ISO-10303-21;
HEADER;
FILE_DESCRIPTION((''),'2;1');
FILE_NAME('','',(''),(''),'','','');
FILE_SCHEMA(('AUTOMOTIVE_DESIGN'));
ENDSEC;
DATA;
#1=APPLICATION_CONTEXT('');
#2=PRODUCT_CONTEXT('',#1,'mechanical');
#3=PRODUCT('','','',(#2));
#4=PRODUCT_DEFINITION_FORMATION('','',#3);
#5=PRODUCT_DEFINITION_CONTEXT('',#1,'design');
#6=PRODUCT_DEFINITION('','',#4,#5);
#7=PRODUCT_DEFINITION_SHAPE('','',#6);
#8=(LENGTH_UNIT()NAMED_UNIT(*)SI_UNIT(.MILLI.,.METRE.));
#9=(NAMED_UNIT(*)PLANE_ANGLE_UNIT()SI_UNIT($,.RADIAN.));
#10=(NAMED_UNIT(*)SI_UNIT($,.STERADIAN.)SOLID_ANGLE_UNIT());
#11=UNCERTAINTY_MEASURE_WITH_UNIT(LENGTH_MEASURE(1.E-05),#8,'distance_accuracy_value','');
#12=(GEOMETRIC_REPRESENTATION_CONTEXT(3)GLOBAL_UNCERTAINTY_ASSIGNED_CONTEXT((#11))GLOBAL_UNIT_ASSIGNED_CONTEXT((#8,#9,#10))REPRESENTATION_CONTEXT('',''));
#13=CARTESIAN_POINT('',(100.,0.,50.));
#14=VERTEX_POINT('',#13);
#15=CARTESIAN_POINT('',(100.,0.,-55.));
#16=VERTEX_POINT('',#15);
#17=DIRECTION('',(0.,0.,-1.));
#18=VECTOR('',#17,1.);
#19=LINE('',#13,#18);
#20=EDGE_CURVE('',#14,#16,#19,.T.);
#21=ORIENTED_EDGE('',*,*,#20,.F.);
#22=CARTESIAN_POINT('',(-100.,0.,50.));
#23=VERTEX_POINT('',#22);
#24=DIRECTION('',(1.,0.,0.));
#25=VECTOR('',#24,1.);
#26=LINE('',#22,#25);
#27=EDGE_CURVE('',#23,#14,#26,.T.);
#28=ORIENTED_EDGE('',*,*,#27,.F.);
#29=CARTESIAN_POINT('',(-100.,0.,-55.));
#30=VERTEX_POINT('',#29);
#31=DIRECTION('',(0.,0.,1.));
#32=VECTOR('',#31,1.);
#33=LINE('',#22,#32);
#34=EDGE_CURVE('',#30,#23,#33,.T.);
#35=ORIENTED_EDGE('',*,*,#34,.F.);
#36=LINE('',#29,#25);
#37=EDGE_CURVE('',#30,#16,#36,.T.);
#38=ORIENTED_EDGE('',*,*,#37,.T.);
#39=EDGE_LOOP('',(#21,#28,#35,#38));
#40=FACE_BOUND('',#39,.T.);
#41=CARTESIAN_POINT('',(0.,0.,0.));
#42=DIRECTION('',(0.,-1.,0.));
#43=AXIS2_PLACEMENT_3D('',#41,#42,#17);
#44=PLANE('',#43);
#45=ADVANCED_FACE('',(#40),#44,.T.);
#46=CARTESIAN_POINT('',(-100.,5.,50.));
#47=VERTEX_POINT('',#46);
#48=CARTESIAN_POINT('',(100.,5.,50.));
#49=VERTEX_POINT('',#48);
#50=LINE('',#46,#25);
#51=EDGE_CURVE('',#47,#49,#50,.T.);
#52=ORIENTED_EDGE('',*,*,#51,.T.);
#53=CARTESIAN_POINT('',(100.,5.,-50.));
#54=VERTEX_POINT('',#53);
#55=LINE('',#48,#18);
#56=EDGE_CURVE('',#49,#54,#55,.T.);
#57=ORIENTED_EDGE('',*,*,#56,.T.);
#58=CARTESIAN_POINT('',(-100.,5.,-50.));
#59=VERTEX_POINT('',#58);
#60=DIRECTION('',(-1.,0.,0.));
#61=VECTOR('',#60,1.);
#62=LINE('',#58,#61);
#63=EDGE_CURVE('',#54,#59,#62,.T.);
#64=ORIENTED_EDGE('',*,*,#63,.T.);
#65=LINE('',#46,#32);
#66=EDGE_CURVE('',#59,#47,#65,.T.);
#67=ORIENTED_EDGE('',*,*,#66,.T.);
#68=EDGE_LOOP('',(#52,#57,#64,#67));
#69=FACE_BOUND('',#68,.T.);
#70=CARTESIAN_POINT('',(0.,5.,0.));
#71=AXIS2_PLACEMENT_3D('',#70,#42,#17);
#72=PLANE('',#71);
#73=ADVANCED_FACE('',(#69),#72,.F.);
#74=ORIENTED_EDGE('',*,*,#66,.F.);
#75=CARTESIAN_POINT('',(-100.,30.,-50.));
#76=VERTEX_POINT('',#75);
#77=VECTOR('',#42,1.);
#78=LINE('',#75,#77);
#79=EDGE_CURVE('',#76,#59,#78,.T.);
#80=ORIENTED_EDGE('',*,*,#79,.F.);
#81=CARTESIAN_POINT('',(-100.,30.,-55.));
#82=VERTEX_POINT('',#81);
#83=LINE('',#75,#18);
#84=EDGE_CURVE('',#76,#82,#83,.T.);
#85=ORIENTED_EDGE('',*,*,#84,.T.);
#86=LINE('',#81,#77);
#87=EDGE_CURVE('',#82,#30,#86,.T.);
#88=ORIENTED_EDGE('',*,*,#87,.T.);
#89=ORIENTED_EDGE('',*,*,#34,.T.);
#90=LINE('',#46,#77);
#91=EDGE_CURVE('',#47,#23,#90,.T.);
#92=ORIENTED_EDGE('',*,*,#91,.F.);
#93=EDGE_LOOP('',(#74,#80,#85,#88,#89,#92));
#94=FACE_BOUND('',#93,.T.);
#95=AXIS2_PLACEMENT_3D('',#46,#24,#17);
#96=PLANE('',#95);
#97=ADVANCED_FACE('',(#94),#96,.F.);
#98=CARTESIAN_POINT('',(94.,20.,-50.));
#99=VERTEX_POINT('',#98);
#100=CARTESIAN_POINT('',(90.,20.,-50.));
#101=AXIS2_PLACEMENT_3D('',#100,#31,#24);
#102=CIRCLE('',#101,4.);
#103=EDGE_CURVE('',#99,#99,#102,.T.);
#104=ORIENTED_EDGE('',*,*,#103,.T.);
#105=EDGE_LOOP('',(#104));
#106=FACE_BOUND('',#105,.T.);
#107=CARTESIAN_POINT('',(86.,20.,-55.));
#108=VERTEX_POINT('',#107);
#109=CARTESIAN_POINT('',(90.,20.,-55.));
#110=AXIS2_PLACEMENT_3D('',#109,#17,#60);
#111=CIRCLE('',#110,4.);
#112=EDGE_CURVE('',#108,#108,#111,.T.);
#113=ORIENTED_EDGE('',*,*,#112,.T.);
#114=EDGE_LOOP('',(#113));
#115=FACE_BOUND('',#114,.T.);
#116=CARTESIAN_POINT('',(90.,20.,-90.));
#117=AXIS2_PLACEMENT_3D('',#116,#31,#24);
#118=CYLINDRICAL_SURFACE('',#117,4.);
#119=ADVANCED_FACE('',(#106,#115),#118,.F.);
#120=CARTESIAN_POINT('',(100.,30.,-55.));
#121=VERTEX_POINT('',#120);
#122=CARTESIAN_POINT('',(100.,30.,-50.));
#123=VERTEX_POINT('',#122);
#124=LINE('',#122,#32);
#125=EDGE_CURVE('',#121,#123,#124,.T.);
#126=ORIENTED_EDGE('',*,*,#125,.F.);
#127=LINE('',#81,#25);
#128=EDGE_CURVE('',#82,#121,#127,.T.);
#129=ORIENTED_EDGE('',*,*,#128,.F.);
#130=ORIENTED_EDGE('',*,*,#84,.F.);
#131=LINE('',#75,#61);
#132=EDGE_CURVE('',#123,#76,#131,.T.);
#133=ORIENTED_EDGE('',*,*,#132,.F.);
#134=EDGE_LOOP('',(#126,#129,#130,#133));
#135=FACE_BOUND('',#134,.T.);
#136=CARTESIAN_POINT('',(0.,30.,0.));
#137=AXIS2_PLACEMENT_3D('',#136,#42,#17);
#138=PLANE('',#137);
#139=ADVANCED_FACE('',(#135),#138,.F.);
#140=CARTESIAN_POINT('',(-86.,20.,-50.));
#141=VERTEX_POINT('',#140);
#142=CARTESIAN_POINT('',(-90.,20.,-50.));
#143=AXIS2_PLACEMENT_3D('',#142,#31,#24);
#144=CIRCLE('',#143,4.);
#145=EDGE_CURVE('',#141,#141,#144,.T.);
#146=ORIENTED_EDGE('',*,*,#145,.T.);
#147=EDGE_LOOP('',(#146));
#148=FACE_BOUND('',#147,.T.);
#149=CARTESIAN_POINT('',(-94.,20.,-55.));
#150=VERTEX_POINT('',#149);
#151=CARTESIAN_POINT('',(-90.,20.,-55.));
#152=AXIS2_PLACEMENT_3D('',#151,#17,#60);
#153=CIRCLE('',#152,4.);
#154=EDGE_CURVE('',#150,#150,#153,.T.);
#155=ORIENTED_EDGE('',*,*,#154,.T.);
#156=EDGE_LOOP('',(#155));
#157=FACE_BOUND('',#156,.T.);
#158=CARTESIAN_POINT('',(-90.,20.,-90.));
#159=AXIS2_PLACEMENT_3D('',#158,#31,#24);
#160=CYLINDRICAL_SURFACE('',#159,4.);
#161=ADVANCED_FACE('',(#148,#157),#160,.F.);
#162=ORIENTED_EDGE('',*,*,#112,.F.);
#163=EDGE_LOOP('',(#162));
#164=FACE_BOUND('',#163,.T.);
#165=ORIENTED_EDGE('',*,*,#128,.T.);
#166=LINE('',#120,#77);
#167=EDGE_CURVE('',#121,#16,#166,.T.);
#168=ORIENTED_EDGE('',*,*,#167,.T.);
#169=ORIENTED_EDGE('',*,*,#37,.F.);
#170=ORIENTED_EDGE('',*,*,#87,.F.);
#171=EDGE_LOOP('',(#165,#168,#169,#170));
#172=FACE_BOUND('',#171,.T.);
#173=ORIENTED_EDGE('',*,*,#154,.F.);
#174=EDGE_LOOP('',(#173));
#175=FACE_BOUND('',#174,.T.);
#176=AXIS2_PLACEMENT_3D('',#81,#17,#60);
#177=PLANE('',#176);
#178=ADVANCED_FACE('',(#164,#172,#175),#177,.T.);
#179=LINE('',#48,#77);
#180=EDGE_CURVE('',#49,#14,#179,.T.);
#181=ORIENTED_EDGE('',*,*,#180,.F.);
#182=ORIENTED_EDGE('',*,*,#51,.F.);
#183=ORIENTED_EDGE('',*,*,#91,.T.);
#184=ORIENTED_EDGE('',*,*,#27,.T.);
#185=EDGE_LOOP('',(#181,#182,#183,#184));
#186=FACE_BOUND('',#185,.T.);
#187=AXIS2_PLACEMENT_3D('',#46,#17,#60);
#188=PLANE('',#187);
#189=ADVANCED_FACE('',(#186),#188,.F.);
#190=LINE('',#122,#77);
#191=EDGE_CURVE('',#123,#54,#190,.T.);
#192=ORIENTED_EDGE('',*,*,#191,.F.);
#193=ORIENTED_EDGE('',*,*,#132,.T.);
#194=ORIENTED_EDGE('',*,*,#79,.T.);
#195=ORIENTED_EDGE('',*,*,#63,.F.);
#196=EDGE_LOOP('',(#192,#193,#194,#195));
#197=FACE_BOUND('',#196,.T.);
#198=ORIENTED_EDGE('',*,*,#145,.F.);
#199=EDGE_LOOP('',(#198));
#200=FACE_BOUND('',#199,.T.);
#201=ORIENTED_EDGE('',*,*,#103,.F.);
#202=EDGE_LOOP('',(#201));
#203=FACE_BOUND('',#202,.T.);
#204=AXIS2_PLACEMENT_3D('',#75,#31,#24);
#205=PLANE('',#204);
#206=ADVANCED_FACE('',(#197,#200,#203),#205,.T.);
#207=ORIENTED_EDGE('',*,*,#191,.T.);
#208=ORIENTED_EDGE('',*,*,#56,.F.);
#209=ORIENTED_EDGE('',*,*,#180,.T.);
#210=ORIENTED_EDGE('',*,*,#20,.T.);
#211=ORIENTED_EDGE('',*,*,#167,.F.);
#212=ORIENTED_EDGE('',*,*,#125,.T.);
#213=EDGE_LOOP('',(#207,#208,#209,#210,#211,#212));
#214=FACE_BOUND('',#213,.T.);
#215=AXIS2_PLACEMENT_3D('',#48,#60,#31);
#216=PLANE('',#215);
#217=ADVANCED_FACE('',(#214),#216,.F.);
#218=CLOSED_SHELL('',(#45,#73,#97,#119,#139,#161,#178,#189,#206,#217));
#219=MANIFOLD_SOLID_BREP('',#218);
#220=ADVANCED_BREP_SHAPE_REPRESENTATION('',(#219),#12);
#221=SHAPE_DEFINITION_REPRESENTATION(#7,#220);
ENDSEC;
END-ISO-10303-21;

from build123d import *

# Parameters (mm, degrees)
SKETCH1_W           = 200
SKETCH1_H           = 100
BOSS_EXTRUDE1_DEPTH = 5
SKETCH2_W           = 200
SKETCH2_H           = 5
BOSS_EXTRUDE2_DEPTH = 30
SKETCH3_R           = 4
CUT_EXTRUDE1_DEPTH  = 40


with BuildPart() as part:
    # Sketch1 → Boss-Extrude1 (new body)
    with BuildSketch(Plane(origin=(0, 0, 0), x_dir=(1, 0, 0), z_dir=(0, 1, 0))):
        Rectangle(SKETCH1_W, SKETCH1_H)
    extrude(amount=BOSS_EXTRUDE1_DEPTH)

    # Sketch2 → Boss-Extrude2 (add)
    with BuildSketch(Plane.XZ):
        with Locations((0, -52.5)):
            Rectangle(SKETCH2_W, SKETCH2_H)
    extrude(amount=-BOSS_EXTRUDE2_DEPTH)

    # Sketch3 → Cut-Extrude1 (cut)
    with BuildSketch(Plane.XY.offset(-50)):
        with Locations((-90, 20)):
            Circle(SKETCH3_R)
        with Locations((90, 20)):
            Circle(SKETCH3_R)
    extrude(amount=-CUT_EXTRUDE1_DEPTH, mode=Mode.SUBTRACT)


solid = part.part
